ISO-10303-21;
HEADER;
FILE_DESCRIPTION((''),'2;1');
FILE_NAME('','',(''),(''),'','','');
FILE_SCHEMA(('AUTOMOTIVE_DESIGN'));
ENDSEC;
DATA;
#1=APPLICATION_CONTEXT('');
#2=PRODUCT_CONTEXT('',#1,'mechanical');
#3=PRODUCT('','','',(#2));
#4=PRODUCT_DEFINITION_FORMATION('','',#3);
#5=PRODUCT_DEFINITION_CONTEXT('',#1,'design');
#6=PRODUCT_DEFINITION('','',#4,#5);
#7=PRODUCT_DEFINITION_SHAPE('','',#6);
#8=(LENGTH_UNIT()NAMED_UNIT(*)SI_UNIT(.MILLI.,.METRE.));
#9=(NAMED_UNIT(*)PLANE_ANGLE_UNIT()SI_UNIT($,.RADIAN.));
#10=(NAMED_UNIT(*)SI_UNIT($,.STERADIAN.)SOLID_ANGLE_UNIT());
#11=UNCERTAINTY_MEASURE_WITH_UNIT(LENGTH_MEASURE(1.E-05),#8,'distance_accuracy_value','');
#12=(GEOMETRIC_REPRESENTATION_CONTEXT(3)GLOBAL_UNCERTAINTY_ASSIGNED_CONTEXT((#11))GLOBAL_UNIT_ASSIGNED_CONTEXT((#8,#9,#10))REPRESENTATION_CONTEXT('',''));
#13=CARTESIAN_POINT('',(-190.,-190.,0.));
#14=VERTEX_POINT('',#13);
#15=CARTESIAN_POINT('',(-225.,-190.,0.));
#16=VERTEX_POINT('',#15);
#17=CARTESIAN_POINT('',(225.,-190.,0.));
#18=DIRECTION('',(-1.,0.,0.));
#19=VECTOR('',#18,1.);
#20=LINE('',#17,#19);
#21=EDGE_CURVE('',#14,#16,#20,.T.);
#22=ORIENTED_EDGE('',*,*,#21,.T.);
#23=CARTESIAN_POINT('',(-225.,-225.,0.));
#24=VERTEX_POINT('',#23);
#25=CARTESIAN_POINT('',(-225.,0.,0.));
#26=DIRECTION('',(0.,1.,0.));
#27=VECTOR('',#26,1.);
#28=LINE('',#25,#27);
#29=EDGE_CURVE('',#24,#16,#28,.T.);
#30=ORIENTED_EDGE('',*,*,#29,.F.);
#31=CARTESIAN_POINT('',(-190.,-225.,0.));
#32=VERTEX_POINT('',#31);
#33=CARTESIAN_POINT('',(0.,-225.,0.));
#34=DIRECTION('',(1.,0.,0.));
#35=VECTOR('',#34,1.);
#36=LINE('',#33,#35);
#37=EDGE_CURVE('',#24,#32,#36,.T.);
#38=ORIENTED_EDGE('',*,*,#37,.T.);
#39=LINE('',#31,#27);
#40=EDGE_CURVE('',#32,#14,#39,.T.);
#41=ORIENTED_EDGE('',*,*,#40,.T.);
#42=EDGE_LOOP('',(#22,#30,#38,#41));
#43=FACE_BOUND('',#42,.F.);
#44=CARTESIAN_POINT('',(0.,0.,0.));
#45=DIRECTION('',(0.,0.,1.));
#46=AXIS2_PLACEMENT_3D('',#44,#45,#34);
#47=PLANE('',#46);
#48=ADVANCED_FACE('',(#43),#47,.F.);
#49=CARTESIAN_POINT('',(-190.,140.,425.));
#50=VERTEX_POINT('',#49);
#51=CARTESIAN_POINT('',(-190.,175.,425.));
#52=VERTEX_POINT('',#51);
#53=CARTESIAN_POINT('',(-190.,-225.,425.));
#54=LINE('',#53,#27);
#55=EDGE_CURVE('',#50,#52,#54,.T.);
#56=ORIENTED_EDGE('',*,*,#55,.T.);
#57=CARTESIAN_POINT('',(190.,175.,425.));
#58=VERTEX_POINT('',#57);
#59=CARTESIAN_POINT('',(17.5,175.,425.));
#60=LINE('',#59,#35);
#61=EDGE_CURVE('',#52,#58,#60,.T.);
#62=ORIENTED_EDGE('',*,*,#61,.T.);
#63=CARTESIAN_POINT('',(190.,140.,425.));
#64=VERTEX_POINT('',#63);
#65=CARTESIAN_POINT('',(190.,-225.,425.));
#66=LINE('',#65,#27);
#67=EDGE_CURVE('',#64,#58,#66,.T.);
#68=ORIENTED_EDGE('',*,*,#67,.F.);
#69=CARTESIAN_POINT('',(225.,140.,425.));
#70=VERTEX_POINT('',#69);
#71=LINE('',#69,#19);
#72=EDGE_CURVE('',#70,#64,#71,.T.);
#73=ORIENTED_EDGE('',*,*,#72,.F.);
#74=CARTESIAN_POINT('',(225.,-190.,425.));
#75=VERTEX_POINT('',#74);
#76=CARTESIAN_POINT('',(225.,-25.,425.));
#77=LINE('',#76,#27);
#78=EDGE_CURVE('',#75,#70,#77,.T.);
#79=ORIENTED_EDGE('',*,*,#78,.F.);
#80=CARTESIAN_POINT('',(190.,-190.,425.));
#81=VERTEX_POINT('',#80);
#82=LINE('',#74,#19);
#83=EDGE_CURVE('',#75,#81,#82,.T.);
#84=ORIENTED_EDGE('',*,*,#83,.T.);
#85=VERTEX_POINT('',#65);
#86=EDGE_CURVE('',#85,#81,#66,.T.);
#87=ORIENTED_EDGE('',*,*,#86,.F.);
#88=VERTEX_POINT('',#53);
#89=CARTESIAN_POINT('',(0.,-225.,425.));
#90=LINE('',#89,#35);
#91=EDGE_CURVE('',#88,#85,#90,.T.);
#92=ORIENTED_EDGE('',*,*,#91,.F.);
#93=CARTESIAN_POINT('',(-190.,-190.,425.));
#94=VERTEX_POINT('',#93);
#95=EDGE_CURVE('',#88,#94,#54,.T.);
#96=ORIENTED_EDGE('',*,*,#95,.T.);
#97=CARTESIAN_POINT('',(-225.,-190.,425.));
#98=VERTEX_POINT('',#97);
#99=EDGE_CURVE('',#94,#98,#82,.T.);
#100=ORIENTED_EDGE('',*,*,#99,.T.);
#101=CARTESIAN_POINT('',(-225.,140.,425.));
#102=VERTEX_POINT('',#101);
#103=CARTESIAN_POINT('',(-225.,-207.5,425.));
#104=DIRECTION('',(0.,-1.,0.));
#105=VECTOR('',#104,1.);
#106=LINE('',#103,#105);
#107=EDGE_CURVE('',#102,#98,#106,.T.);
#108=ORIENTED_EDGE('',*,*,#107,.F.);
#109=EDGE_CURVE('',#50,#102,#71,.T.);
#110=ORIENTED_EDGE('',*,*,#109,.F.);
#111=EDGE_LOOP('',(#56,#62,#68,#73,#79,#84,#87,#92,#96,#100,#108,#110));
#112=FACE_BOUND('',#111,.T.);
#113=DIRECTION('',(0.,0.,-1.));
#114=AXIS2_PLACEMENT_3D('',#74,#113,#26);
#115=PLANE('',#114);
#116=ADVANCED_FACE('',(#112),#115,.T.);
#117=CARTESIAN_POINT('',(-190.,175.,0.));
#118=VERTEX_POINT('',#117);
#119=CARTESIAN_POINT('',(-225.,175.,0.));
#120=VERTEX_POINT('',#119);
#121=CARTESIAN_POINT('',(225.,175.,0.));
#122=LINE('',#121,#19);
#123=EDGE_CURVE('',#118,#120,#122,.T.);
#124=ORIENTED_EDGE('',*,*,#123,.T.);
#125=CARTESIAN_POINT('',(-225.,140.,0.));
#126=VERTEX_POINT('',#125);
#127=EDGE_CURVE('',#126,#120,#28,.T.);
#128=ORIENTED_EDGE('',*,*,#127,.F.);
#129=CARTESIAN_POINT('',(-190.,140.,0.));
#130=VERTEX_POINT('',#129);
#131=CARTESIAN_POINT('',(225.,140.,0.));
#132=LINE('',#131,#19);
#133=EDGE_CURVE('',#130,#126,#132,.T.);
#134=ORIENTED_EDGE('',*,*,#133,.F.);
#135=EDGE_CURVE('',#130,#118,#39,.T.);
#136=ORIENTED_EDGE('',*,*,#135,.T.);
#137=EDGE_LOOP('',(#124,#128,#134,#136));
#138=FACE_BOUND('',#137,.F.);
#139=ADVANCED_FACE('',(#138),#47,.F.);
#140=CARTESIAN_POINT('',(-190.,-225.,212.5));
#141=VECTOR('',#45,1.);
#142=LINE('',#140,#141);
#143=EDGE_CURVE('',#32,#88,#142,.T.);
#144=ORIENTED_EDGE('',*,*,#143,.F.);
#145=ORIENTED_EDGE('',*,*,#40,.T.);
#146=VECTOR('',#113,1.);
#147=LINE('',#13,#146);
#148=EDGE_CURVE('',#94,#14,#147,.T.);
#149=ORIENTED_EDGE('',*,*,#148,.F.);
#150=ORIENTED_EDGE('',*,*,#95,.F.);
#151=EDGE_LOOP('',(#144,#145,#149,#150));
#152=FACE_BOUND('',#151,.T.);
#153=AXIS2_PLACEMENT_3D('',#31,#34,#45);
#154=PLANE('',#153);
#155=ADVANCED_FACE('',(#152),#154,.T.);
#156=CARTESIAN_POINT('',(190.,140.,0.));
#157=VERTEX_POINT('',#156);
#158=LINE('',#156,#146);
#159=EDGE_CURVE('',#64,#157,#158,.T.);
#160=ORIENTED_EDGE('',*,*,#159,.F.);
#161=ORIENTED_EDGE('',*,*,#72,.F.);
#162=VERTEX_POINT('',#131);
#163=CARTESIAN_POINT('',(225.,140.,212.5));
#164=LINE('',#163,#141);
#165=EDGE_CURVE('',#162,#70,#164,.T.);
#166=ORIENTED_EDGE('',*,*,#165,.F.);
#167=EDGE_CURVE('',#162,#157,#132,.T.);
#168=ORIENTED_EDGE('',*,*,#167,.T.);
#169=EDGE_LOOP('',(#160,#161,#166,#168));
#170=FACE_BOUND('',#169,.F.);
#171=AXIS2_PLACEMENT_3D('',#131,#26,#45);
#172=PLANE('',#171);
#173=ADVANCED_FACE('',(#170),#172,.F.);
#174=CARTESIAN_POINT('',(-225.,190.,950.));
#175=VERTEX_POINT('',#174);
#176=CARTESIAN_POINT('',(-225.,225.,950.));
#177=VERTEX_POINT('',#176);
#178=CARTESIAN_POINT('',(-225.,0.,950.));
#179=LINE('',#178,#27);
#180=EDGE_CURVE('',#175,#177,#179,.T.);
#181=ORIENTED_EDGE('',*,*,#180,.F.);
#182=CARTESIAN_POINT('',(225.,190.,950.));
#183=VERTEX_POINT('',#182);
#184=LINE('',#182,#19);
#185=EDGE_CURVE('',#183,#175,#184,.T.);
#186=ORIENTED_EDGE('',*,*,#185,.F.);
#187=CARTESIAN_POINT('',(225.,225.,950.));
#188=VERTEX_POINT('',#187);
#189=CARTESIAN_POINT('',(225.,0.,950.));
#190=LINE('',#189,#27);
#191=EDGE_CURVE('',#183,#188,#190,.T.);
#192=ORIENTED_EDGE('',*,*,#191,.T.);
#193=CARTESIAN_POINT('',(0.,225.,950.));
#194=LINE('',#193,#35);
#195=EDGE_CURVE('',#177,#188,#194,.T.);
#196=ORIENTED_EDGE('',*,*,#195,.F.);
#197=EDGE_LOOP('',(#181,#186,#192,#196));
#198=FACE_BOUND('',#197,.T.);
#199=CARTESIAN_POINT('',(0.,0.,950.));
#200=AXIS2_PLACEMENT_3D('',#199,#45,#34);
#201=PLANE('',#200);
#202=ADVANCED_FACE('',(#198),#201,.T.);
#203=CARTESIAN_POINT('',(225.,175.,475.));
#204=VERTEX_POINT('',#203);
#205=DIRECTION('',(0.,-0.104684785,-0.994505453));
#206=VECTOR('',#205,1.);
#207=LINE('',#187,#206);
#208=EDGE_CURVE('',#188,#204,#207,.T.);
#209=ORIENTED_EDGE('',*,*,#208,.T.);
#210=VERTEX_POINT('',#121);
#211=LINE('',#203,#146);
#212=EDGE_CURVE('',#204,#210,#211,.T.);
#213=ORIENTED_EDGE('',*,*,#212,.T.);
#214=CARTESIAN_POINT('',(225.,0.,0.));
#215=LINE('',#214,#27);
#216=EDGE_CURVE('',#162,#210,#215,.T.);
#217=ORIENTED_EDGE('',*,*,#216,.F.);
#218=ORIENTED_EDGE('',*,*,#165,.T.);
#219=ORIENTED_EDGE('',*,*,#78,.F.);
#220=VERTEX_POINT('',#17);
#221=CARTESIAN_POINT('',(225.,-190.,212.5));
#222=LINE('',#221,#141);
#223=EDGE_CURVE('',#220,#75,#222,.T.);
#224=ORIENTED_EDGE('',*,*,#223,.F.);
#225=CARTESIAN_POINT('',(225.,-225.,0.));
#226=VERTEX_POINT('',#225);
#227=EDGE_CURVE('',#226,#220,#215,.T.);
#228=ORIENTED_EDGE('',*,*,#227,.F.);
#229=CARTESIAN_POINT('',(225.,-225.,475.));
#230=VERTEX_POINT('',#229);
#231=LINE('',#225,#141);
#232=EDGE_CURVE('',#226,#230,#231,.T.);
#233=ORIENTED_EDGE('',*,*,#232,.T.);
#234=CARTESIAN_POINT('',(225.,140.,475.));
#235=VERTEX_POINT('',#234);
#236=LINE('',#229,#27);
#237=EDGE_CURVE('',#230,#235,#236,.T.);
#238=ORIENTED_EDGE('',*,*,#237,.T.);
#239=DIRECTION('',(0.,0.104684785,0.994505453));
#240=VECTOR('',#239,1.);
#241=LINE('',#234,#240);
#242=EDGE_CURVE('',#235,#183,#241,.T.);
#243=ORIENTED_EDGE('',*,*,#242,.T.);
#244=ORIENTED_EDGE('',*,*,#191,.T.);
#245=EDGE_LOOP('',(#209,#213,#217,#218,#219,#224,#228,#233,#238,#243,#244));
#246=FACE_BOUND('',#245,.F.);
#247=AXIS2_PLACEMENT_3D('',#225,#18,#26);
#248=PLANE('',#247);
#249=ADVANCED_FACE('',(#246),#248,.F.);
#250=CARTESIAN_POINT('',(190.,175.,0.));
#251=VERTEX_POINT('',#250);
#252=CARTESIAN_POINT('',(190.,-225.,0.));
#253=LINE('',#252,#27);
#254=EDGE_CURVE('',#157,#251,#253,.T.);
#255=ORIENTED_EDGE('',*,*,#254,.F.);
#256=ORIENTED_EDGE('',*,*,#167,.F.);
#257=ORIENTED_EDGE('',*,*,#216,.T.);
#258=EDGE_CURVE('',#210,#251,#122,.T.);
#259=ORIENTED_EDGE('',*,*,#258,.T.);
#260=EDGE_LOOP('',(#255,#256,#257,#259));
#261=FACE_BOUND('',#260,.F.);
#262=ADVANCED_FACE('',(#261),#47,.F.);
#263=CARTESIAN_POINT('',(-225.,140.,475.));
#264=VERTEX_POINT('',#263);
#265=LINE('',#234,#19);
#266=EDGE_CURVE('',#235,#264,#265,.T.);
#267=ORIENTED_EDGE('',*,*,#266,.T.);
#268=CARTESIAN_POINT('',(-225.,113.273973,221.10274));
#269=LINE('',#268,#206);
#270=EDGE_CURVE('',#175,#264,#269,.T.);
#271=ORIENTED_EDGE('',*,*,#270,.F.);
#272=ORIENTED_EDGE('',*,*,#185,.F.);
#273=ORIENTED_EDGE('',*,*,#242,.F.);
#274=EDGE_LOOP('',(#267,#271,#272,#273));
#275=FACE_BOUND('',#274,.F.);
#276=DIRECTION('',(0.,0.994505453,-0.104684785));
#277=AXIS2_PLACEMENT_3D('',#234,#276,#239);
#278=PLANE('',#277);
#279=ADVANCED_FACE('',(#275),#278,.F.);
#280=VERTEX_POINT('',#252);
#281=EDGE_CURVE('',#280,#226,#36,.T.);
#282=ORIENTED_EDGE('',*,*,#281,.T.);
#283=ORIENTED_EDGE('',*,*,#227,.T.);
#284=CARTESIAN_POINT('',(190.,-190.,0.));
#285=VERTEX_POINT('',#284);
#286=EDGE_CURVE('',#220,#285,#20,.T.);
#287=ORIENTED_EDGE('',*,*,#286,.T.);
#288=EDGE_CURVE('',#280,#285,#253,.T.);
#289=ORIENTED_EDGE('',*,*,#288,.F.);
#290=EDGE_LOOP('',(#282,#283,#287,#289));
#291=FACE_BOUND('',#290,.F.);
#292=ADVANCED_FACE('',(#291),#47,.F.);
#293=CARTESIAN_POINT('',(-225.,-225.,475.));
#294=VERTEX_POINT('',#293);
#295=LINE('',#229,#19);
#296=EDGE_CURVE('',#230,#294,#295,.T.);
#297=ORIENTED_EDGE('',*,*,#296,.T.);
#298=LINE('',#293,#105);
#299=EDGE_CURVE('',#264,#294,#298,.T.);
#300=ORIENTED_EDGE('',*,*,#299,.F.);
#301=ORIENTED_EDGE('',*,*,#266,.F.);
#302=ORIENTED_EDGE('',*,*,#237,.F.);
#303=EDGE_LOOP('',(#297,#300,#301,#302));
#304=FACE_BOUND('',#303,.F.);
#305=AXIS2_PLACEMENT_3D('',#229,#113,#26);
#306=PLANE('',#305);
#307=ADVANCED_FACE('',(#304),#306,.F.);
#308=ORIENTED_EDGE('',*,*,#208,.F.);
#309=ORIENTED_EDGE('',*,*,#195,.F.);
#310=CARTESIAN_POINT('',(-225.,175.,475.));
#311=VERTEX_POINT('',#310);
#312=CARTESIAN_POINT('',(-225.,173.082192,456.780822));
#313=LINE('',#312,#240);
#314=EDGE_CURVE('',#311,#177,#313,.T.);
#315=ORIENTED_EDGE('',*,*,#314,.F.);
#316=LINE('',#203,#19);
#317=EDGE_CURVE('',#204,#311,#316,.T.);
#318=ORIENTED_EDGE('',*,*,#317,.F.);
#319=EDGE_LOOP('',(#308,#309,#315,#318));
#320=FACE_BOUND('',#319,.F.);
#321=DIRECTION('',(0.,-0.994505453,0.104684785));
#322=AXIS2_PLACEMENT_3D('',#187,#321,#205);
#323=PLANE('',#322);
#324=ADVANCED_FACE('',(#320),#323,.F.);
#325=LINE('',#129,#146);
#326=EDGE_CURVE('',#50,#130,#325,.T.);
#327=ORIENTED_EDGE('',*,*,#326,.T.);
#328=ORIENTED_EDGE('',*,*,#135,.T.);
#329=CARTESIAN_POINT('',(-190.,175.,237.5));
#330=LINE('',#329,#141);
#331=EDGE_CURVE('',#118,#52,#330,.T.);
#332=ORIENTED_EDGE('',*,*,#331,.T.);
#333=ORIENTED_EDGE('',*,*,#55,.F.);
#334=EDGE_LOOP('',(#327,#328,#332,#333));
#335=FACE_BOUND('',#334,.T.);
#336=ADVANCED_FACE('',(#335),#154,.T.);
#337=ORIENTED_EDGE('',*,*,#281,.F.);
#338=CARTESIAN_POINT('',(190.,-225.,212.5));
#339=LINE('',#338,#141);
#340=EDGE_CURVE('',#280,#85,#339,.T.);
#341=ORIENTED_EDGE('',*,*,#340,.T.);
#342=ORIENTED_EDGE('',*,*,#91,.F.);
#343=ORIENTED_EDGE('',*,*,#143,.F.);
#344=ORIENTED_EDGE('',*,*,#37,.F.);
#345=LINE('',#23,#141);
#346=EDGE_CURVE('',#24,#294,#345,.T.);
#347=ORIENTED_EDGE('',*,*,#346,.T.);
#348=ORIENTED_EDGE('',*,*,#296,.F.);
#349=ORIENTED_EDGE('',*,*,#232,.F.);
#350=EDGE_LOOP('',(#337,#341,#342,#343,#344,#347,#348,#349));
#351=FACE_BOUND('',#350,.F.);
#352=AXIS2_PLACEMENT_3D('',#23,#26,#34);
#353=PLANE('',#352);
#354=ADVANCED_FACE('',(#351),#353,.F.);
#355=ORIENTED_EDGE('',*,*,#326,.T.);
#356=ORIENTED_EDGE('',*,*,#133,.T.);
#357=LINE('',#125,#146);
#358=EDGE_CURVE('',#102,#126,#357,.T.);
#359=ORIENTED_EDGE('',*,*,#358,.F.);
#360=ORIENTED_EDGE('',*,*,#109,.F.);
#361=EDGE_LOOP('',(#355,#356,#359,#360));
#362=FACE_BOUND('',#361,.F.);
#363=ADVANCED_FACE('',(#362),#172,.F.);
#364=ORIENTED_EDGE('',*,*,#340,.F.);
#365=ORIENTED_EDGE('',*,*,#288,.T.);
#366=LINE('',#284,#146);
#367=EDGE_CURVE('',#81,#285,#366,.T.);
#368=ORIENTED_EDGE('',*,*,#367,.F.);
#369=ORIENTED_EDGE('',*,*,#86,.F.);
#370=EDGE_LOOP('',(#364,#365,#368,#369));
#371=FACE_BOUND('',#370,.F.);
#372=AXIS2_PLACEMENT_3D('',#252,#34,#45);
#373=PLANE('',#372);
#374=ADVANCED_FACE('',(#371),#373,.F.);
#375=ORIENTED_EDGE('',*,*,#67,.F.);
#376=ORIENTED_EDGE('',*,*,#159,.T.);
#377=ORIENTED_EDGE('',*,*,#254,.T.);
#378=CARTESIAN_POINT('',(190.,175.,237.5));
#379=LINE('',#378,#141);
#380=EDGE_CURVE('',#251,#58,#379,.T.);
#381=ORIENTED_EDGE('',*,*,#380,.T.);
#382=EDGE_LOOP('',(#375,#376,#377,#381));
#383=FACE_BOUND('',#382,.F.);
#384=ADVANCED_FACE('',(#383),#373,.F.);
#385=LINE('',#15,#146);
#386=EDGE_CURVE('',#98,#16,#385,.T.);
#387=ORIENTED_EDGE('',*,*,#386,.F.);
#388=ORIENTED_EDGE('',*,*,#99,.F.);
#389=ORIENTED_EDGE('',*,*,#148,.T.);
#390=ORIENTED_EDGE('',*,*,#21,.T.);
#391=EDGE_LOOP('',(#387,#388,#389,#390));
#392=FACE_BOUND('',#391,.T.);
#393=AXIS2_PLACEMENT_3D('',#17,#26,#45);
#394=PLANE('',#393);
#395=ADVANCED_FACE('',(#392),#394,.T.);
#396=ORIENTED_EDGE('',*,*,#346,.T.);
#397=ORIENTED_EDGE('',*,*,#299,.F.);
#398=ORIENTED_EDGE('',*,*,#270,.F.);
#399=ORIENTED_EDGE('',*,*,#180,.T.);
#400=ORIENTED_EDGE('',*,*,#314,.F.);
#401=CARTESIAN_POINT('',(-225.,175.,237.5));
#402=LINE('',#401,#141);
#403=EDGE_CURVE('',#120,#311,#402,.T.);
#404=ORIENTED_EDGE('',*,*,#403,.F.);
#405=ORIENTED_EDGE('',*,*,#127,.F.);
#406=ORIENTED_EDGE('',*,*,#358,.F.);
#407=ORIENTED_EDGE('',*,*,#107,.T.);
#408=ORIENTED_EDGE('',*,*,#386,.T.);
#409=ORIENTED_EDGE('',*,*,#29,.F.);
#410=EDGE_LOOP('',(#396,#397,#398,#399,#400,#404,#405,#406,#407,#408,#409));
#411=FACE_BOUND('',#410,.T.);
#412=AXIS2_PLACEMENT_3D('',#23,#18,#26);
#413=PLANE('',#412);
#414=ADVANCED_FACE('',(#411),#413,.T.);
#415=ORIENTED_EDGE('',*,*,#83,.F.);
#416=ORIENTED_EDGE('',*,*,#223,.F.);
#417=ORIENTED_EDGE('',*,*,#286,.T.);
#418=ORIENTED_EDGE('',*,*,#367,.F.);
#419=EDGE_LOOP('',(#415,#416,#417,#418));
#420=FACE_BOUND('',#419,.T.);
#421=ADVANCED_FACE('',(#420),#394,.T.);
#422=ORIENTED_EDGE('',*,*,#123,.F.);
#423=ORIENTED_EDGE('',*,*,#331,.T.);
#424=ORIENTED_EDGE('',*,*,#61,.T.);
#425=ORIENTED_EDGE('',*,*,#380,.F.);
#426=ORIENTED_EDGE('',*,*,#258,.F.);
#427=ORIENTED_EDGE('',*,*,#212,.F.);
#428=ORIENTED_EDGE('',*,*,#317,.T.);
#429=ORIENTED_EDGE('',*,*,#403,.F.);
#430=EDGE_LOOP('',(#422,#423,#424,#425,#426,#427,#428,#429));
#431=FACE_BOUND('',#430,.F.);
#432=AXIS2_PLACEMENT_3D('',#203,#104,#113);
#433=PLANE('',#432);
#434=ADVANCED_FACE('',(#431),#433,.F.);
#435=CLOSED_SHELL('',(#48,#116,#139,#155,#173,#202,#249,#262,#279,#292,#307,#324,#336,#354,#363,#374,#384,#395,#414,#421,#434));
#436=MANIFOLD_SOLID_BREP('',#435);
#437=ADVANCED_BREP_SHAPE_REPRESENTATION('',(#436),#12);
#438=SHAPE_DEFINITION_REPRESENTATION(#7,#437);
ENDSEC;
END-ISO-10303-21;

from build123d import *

# Parameters (mm, degrees)
F0_W     = 450
F0_H     = 450
F1_DEPTH = 950
F2_W     = 330
F2_H     = 425
F2_W_2   = 50
F2_H_2   = 50
F3_DEPTH = 450.001
F4_W     = 380
F4_H     = 425
F5_DEPTH = 450.001


with BuildPart() as f1:
    # F0 (on Top) → F1 (new body)
    with BuildSketch(Plane.XY):
        Rectangle(F0_W, F0_H)
    extrude(amount=F1_DEPTH)

    # F2 (on face) → F3 (cut, through all)
    with BuildSketch(Plane.YZ.offset(225)):
        Polygon((-225, 950), (-225, 475), (140, 475), (190, 950), align=None)
        with Locations((-25, 212.5)):
            Rectangle(F2_W, F2_H)
        with Locations((200, 212.5)):
            Rectangle(F2_W_2, F2_H)
        Polygon((225, 950), (175, 475), (225, 475), align=None)
        with Locations((200, 450)):
            Rectangle(F2_W_2, F2_H_2)
    extrude(amount=-F3_DEPTH, mode=Mode.SUBTRACT)

    # F4 (on face) → F5 (cut, through all)
    with BuildSketch(Plane.XZ.offset(225)):
        with Locations((0, 212.5)):
            Rectangle(F4_W, F4_H)
    extrude(amount=-F5_DEPTH, mode=Mode.SUBTRACT)


solid = f1.part
